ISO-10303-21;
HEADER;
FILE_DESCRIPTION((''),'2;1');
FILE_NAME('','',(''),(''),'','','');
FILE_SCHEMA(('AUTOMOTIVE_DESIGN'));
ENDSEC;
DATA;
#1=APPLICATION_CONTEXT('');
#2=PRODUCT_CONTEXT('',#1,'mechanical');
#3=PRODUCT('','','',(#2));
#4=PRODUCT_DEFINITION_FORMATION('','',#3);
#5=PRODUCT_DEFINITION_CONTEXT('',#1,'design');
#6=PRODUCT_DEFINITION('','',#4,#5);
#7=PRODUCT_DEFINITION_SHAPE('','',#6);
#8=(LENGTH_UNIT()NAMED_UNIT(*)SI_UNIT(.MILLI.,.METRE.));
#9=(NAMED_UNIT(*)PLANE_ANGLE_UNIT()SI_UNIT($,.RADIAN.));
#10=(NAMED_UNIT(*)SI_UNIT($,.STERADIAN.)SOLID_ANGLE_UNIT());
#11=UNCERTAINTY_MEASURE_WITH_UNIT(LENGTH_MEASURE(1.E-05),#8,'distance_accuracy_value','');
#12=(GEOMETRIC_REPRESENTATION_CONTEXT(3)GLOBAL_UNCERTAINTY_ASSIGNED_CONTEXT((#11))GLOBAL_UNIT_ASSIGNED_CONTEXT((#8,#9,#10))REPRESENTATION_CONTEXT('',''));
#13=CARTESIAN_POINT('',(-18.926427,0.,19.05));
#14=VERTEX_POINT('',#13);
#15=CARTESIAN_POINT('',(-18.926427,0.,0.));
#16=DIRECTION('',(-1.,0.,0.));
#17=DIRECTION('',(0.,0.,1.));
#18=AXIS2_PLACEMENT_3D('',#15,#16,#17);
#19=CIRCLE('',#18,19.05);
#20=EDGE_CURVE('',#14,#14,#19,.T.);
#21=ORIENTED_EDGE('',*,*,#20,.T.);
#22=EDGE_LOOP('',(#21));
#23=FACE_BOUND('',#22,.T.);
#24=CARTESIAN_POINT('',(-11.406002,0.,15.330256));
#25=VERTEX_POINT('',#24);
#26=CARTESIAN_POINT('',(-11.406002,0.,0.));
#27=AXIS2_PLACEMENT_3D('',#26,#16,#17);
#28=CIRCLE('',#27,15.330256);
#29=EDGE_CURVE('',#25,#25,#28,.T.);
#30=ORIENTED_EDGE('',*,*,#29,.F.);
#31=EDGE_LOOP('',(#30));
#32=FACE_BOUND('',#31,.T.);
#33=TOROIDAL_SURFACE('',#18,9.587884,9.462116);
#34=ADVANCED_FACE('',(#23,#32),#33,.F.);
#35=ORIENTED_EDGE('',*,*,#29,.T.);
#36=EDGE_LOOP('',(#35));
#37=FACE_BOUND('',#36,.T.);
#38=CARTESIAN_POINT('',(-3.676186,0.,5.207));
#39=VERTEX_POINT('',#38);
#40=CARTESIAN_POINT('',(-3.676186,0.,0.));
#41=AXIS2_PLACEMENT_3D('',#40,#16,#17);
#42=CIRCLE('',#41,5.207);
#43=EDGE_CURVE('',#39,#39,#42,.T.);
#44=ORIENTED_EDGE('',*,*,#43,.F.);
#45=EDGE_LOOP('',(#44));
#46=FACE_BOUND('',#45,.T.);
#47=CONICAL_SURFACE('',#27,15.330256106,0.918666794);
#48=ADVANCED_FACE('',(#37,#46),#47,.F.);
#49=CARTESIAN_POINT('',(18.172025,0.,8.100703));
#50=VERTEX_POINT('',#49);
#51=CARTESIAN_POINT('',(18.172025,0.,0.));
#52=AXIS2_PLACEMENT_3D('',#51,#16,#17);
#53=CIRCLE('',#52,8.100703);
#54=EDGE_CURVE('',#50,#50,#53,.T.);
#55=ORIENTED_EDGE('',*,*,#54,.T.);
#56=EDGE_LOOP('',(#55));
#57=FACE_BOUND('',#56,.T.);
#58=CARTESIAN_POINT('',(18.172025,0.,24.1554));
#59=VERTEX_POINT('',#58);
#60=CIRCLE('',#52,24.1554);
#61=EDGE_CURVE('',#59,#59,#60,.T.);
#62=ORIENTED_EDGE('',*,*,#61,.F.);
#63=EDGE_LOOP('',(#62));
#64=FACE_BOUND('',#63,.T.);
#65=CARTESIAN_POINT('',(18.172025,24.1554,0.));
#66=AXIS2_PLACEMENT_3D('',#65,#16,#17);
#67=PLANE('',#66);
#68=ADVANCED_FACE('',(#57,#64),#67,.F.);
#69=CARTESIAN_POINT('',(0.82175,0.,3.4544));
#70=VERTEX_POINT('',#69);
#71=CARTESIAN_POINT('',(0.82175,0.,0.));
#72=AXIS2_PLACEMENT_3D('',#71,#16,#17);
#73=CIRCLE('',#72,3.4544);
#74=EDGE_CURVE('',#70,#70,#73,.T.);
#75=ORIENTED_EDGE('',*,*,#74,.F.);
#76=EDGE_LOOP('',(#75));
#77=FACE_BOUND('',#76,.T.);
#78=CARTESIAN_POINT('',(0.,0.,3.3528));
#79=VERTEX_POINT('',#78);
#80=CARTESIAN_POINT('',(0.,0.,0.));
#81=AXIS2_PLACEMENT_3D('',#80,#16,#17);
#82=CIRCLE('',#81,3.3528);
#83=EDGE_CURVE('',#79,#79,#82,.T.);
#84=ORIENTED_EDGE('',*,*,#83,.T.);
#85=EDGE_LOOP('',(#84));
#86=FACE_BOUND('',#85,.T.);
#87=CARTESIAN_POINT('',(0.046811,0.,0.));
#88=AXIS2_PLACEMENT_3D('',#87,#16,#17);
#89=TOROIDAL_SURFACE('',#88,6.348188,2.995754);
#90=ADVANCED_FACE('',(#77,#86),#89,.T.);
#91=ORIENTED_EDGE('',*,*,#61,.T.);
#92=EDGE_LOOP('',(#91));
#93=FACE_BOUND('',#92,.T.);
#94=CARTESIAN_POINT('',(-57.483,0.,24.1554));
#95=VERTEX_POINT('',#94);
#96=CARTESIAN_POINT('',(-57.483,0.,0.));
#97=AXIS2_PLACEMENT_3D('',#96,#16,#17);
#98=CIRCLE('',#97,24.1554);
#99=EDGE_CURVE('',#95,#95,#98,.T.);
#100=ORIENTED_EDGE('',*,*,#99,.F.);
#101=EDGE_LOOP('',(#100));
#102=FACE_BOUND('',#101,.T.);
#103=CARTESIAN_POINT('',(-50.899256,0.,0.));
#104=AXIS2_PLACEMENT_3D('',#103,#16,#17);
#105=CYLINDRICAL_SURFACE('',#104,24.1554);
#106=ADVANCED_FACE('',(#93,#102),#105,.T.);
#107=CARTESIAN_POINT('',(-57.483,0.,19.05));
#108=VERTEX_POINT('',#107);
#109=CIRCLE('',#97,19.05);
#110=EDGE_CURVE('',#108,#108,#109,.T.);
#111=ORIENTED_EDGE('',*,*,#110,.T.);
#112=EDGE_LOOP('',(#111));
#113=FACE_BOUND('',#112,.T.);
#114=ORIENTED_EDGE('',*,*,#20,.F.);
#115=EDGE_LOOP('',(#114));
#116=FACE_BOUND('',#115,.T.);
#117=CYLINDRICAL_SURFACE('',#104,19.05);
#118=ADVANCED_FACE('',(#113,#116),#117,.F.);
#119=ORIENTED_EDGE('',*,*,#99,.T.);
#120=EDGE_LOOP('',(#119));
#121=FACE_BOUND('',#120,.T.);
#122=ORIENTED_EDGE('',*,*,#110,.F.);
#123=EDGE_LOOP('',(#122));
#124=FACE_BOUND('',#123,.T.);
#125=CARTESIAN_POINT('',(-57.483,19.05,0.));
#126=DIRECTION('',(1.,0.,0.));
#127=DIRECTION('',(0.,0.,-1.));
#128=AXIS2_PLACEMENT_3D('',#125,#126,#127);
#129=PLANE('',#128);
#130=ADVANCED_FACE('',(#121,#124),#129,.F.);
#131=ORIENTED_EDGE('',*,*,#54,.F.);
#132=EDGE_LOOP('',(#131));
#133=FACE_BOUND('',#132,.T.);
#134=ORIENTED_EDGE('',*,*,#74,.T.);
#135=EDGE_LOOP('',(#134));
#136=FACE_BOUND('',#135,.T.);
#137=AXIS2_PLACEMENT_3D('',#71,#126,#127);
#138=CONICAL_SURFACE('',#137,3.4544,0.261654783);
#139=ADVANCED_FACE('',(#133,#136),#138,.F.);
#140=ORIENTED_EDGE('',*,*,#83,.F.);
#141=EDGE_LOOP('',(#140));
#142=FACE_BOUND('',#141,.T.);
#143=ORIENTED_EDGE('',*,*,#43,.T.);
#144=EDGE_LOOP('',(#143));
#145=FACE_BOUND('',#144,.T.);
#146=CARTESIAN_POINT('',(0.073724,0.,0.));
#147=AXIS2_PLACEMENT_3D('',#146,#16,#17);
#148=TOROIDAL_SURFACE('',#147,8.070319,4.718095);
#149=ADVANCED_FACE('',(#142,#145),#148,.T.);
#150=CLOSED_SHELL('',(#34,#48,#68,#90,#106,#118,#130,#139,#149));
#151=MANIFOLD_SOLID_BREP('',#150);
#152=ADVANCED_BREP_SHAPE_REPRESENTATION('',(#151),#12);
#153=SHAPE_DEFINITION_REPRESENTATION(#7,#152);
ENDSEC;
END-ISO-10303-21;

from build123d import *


with BuildPart() as part:
    # Sketch1 → Revolve1 (revolve)
    with BuildSketch(Plane.XY, mode=Mode.PRIVATE) as revolve1_sk:
        with BuildLine():
            Line((-57.482999588, 19.05), (-18.926427283, 19.05))
            ThreePointArc((-18.926427283, 19.05), (-14.731391707, 18.069235016), (-11.406001811, 15.330256106))
            Line((-11.406001811, 15.330256106), (-3.676186486, 5.207))
            ThreePointArc((-3.676186486, 5.207), (-2.051025346, 3.857735121), (0, 3.3528))
            ThreePointArc((0, 3.3528), (0.414402348, 3.375072305), (0.821750452, 3.4544))
            Line((0.821750452, 3.4544), (18.172025124, 8.100703128))
            Line((18.172025124, 8.100703128), (18.172025124, 24.1554))
            Line((18.172025124, 24.1554), (-57.482999588, 24.1554))
            Line((-57.482999588, 24.1554), (-57.482999588, 19.05))
        make_face()
    revolve(revolve1_sk.sketch.rotate(Axis((-50.899256216, 0, 0), (1, 0, 0)), 90), axis=Axis((-50.899256216, 0, 0), (1, 0, 0)))


solid = part.part
